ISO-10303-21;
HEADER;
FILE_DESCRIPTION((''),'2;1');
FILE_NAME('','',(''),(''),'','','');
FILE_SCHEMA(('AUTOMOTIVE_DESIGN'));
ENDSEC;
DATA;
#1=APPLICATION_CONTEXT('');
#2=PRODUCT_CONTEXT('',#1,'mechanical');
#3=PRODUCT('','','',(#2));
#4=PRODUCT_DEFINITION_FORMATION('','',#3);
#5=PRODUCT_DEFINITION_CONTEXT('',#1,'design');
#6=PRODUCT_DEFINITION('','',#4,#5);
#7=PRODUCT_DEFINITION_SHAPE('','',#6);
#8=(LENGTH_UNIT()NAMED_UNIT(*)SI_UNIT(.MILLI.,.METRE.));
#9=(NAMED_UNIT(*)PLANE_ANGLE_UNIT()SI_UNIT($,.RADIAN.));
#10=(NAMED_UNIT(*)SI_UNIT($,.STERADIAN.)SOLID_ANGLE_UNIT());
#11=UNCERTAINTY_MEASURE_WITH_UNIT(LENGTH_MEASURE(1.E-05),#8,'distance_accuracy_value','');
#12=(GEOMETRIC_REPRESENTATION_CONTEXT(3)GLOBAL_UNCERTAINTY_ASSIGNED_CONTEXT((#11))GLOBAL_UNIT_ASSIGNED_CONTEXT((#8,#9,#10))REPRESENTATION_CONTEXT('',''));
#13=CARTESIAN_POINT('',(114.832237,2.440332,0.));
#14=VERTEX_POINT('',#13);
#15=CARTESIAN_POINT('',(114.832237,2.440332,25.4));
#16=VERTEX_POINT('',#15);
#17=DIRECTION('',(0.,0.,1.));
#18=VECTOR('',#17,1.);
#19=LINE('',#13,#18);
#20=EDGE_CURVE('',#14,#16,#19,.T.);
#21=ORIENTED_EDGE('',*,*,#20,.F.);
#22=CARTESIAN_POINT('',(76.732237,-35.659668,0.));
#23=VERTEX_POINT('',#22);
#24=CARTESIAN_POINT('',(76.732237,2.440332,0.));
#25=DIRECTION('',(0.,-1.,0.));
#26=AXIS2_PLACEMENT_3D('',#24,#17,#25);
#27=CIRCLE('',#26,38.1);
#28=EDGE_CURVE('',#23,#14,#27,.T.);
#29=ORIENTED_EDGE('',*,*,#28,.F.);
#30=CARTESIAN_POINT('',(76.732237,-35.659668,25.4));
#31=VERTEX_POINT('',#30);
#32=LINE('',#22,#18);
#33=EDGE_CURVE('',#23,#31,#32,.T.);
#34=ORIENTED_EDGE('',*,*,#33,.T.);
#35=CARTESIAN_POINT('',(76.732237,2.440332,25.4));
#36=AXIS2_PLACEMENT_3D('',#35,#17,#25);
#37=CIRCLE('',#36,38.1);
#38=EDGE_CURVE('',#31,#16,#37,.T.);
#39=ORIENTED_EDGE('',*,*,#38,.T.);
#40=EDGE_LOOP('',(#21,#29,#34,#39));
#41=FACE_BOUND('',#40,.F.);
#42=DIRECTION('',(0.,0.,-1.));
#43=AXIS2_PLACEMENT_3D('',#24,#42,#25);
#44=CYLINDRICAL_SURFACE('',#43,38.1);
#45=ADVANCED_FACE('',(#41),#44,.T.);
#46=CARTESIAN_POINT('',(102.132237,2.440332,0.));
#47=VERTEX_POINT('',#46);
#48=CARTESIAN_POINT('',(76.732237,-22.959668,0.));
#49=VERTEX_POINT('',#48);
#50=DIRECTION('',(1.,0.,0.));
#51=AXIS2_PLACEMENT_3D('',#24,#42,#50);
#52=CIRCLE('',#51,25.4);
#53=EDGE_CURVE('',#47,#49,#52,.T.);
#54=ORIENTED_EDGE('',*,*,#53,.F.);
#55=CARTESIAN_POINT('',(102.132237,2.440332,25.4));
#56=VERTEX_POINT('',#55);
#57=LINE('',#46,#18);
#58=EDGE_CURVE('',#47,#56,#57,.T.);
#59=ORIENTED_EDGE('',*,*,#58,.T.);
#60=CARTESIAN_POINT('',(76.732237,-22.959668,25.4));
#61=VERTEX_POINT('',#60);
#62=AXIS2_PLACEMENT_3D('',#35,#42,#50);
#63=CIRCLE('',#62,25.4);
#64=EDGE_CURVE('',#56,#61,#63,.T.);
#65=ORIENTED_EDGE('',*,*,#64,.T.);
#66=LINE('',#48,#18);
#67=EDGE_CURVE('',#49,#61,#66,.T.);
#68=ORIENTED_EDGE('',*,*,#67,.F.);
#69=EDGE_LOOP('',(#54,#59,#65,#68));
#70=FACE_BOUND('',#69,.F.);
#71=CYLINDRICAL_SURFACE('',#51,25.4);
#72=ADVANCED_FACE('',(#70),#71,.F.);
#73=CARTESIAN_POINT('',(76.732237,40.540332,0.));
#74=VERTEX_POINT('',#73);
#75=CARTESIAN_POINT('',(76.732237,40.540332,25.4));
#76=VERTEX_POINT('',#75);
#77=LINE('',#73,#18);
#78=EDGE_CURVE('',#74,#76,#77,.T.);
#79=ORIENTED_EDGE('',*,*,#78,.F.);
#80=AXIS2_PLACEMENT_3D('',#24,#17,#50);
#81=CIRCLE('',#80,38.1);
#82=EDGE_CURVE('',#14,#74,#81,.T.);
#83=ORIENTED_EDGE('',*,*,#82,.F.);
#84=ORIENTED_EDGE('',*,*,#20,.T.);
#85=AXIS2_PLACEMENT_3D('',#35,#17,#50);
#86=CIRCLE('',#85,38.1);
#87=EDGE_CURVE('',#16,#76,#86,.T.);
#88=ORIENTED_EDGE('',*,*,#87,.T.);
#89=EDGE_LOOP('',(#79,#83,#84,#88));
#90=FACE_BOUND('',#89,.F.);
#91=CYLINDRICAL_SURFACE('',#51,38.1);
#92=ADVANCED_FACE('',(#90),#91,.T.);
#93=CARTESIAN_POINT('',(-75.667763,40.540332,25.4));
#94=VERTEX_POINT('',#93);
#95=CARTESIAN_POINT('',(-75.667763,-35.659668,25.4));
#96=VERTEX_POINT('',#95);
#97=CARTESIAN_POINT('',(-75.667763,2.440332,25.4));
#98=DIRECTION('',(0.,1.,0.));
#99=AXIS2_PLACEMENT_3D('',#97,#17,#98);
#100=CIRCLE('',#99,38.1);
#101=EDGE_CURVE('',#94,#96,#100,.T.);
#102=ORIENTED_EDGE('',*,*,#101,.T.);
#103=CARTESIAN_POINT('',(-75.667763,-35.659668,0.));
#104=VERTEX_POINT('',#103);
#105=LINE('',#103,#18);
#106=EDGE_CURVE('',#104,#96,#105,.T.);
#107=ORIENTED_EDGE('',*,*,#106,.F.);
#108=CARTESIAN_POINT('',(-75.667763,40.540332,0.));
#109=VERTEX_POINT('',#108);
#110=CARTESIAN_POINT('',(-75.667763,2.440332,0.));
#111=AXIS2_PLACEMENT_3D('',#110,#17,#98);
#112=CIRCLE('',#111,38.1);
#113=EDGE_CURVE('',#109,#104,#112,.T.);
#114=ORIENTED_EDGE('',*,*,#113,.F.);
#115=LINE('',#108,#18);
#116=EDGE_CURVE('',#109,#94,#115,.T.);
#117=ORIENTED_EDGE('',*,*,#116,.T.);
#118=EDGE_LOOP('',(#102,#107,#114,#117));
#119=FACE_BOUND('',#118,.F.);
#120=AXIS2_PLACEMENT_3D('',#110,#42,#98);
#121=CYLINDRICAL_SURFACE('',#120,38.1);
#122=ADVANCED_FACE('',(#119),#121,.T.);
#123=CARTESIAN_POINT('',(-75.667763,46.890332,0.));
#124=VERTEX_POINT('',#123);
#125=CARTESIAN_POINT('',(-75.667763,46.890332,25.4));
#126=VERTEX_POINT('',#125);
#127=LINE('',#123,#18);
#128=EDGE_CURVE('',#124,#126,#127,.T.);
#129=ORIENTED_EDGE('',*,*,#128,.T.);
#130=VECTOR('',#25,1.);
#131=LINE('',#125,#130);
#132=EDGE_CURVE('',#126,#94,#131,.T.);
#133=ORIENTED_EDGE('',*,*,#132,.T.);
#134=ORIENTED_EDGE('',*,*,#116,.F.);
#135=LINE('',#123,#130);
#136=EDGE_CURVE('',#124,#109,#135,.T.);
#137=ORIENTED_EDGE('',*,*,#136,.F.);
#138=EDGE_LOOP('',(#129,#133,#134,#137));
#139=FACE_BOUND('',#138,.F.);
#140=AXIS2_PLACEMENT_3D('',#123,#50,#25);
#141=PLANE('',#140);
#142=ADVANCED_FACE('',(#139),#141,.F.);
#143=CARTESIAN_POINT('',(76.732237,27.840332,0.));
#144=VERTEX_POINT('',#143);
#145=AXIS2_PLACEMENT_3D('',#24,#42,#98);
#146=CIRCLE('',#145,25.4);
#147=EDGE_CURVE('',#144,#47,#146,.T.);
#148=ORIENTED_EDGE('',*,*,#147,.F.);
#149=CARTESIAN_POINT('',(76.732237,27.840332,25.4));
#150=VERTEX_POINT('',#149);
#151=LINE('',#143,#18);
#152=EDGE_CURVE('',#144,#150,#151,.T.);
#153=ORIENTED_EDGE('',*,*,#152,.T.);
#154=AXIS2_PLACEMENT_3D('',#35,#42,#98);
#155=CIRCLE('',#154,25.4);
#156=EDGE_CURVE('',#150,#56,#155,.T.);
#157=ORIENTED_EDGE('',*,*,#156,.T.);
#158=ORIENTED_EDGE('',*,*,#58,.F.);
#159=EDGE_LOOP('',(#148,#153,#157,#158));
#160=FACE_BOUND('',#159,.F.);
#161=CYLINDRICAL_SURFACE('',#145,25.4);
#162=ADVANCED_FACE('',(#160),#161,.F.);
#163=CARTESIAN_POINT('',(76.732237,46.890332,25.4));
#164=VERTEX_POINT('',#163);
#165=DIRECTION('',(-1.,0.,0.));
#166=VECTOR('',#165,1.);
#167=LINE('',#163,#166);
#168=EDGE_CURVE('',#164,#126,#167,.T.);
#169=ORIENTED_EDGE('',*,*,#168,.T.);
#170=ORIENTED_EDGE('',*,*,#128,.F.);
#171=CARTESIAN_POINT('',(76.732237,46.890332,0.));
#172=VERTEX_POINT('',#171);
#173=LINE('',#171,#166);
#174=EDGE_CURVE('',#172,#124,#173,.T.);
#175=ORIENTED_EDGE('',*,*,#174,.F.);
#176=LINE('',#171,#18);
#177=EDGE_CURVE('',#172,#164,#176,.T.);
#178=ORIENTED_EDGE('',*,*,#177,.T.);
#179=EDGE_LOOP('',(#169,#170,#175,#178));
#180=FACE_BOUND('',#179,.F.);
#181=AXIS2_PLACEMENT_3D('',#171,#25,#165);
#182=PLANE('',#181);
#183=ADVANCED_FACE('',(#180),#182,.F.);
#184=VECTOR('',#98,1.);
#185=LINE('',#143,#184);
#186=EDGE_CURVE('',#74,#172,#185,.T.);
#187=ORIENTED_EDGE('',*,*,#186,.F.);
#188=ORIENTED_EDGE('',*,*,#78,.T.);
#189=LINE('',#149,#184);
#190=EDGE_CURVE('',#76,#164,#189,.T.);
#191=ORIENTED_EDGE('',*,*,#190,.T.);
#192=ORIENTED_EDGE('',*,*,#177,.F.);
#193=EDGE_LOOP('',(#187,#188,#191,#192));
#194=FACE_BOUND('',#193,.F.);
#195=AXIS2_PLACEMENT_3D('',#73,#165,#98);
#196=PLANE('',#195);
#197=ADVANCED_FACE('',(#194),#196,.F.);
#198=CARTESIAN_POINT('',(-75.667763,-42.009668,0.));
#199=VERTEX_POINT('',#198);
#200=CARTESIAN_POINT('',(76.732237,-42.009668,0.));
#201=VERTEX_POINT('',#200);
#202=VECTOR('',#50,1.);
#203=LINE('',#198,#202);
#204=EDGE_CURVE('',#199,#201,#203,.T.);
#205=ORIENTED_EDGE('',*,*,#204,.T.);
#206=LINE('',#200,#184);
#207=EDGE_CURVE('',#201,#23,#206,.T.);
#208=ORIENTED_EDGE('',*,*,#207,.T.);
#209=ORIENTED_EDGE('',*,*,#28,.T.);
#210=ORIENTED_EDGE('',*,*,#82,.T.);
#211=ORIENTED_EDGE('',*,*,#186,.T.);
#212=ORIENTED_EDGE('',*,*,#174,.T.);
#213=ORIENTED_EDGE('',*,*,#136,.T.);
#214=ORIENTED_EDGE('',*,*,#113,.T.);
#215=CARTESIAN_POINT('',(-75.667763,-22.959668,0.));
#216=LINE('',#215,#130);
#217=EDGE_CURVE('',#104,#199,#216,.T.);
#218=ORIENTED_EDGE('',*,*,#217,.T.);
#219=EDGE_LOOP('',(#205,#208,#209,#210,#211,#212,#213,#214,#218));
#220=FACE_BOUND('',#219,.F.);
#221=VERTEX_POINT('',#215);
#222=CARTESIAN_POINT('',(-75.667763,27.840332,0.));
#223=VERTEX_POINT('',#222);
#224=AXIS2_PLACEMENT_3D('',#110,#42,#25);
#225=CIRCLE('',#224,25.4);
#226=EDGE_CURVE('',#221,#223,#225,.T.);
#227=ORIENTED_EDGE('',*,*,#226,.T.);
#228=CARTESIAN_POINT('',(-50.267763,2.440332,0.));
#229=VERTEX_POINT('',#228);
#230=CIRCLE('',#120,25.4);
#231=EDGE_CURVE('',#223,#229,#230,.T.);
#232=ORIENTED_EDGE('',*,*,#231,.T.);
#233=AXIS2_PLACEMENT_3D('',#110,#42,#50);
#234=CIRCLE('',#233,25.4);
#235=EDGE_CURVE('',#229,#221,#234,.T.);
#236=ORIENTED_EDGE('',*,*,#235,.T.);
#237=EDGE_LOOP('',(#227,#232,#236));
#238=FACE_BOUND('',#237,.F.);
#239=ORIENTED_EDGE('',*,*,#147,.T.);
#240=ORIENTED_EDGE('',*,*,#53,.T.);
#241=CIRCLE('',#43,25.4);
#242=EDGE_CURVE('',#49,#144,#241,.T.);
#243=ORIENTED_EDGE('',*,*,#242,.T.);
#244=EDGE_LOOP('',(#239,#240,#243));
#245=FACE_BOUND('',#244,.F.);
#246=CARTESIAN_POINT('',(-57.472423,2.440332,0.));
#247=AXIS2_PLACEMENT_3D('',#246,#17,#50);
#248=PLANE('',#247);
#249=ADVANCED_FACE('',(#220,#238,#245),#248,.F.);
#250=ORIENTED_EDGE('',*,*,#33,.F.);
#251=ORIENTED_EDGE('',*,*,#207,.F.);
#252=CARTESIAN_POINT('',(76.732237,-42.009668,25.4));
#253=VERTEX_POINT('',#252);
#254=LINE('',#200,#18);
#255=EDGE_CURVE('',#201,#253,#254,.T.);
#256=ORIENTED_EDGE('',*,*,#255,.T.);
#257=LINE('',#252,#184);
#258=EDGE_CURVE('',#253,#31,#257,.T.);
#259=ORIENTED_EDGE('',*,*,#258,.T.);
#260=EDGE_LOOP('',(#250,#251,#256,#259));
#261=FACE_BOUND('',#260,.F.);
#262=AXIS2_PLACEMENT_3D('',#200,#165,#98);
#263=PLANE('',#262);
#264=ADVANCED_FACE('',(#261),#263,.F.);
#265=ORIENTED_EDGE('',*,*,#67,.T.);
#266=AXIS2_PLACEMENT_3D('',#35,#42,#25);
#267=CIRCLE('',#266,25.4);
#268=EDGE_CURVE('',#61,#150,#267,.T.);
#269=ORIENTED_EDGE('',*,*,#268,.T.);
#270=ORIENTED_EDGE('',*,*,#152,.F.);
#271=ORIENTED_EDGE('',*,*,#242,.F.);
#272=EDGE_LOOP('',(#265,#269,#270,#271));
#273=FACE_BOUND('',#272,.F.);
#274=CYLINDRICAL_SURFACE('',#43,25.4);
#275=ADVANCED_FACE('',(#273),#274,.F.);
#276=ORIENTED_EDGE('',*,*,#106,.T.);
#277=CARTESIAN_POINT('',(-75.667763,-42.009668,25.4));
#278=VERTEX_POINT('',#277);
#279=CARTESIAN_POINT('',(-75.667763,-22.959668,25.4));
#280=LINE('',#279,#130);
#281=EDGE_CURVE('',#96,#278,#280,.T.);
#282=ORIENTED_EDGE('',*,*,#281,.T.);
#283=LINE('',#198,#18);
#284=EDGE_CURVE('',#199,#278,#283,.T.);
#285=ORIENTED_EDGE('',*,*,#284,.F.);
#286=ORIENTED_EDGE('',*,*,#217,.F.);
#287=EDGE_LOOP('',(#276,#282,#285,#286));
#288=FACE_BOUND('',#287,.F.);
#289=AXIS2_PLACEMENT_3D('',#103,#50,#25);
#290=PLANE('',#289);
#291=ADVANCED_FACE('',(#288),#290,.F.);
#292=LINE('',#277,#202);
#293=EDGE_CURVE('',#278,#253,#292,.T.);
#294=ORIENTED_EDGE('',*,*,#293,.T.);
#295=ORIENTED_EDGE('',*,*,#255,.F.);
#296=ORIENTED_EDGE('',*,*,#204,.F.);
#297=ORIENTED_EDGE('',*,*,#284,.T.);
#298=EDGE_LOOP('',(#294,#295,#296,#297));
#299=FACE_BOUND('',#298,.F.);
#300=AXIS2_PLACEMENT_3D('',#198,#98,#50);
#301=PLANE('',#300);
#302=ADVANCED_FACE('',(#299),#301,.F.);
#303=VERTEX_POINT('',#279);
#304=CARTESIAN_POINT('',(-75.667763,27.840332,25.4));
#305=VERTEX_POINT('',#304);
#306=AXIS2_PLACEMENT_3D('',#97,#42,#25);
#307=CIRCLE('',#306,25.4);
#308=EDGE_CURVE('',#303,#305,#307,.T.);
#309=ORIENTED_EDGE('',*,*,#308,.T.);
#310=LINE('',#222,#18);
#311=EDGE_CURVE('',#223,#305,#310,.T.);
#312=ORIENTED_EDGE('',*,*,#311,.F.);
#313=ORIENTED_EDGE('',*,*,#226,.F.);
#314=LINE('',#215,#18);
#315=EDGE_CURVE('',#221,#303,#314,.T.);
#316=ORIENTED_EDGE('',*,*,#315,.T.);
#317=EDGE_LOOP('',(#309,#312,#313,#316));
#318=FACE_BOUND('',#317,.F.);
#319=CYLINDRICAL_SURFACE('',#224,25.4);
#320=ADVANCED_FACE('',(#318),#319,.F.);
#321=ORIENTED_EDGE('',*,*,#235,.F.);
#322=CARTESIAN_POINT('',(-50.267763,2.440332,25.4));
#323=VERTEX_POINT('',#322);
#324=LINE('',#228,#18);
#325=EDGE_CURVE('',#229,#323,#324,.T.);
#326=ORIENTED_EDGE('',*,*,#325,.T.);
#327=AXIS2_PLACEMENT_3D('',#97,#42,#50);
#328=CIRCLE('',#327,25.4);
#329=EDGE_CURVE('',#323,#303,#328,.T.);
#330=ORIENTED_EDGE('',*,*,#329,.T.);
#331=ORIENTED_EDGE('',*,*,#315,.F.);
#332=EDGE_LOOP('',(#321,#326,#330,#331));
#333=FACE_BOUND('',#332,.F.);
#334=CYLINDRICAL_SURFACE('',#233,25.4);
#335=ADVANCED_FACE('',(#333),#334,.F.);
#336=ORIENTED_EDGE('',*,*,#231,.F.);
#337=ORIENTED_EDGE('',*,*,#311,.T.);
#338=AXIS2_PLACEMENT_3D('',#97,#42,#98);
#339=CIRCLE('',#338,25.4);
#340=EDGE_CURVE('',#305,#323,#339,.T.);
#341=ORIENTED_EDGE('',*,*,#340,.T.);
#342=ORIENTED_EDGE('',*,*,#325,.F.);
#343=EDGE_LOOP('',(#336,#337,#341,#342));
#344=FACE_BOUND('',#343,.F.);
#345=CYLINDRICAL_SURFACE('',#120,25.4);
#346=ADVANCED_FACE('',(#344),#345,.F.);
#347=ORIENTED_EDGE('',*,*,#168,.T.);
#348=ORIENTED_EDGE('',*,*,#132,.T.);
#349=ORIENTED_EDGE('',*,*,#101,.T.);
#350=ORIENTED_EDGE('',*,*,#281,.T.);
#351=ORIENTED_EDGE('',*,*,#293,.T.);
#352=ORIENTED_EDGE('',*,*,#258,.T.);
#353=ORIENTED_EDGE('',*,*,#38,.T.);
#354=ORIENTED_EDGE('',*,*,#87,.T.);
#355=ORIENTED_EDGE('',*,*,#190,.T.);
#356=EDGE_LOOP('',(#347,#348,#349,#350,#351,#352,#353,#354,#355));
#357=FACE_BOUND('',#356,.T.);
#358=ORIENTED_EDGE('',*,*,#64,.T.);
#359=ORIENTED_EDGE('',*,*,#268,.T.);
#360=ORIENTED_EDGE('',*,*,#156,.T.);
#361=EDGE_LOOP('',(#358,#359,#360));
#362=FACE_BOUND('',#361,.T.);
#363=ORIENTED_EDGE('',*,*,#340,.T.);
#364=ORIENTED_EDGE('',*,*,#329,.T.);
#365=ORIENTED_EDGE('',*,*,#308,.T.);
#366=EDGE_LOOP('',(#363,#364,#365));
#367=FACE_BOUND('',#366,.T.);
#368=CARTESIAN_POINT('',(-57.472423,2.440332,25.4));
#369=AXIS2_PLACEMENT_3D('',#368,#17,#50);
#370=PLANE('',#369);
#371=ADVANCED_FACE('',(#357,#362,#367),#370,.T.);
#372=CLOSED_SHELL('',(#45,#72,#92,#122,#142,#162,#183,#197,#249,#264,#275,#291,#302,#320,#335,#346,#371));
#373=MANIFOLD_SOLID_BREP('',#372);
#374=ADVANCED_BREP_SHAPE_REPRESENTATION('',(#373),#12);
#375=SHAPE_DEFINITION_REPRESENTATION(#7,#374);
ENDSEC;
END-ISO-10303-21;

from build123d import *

# Parameters (mm, degrees)
F1_DEPTH = 25.4


with BuildPart() as f1:
    # F0 (on Top) → F1 (new body)
    with BuildSketch(Plane.XY):
        with BuildLine():
            ThreePointArc((-37.5677628088, 2.4403324218), (-48.7269944456, 29.381100785), (-75.6677628088, 40.5403324218))
            Line((-75.6677628088, 40.5403324218), (-75.6677628088, 27.8403324218))
            ThreePointArc((-75.6677628088, 27.8403324218), (-57.7072505666, 20.400844664), (-50.2677628088, 2.4403324218))
            ThreePointArc((-50.2677628088, 2.4403324218), (-57.7072505666, -15.5201798203), (-75.6677628088, -22.9596675782))
            Line((-75.6677628088, -22.9596675782), (-75.6677628088, -35.6596675782))
            ThreePointArc((-75.6677628088, -35.6596675782), (-48.7269944456, -24.5004359414), (-37.5677628088, 2.4403324218))
        make_face()
        with BuildLine():
            Line((76.7322371912, 27.8403324218), (76.7322371912, 40.5403324218))
            ThreePointArc((76.7322371912, 40.5403324218), (38.6322371912, 2.4403324218), (76.7322371912, -35.6596675782))
            Line((76.7322371912, -35.6596675782), (76.7322371912, -22.9596675782))
            ThreePointArc((76.7322371912, -22.9596675782), (51.3322371912, 2.4403324218), (76.7322371912, 27.8403324218))
        make_face()
        with BuildLine():
            Line((76.7322371912, 46.8903324218), (-75.6677628088, 46.8903324218))
            Line((-75.6677628088, 46.8903324218), (-75.6677628088, 40.5403324218))
            ThreePointArc((-75.6677628088, 40.5403324218), (-48.7269944456, 29.381100785), (-37.5677628088, 2.4403324218))
            ThreePointArc((-37.5677628088, 2.4403324218), (-48.7269944456, -24.5004359414), (-75.6677628088, -35.6596675782))
            Line((-75.6677628088, -35.6596675782), (-75.6677628088, -42.0096675782))
            Line((-75.6677628088, -42.0096675782), (76.7322371912, -42.0096675782))
            Line((76.7322371912, -42.0096675782), (76.7322371912, -35.6596675782))
            ThreePointArc((76.7322371912, -35.6596675782), (38.6322371912, 2.4403324218), (76.7322371912, 40.5403324218))
            Line((76.7322371912, 40.5403324218), (76.7322371912, 46.8903324218))
        make_face()
        with BuildLine():
            Line((-75.6677628088, 27.8403324218), (-75.6677628088, 40.5403324218))
            ThreePointArc((-75.6677628088, 40.5403324218), (-113.7677628088, 2.4403324218), (-75.6677628088, -35.6596675782))
            Line((-75.6677628088, -35.6596675782), (-75.6677628088, -22.9596675782))
            ThreePointArc((-75.6677628088, -22.9596675782), (-101.0677628088, 2.4403324218), (-75.6677628088, 27.8403324218))
        make_face()
        with BuildLine():
            ThreePointArc((114.8322371912, 2.4403324218), (103.6730055544, 29.381100785), (76.7322371912, 40.5403324218))
            Line((76.7322371912, 40.5403324218), (76.7322371912, 27.8403324218))
            ThreePointArc((76.7322371912, 27.8403324218), (94.6927494334, 20.400844664), (102.1322371912, 2.4403324218))
            ThreePointArc((102.1322371912, 2.4403324218), (94.6927494334, -15.5201798203), (76.7322371912, -22.9596675782))
            Line((76.7322371912, -22.9596675782), (76.7322371912, -35.6596675782))
            ThreePointArc((76.7322371912, -35.6596675782), (103.6730055544, -24.5004359414), (114.8322371912, 2.4403324218))
        make_face()
    extrude(amount=F1_DEPTH)


solid = f1.part
